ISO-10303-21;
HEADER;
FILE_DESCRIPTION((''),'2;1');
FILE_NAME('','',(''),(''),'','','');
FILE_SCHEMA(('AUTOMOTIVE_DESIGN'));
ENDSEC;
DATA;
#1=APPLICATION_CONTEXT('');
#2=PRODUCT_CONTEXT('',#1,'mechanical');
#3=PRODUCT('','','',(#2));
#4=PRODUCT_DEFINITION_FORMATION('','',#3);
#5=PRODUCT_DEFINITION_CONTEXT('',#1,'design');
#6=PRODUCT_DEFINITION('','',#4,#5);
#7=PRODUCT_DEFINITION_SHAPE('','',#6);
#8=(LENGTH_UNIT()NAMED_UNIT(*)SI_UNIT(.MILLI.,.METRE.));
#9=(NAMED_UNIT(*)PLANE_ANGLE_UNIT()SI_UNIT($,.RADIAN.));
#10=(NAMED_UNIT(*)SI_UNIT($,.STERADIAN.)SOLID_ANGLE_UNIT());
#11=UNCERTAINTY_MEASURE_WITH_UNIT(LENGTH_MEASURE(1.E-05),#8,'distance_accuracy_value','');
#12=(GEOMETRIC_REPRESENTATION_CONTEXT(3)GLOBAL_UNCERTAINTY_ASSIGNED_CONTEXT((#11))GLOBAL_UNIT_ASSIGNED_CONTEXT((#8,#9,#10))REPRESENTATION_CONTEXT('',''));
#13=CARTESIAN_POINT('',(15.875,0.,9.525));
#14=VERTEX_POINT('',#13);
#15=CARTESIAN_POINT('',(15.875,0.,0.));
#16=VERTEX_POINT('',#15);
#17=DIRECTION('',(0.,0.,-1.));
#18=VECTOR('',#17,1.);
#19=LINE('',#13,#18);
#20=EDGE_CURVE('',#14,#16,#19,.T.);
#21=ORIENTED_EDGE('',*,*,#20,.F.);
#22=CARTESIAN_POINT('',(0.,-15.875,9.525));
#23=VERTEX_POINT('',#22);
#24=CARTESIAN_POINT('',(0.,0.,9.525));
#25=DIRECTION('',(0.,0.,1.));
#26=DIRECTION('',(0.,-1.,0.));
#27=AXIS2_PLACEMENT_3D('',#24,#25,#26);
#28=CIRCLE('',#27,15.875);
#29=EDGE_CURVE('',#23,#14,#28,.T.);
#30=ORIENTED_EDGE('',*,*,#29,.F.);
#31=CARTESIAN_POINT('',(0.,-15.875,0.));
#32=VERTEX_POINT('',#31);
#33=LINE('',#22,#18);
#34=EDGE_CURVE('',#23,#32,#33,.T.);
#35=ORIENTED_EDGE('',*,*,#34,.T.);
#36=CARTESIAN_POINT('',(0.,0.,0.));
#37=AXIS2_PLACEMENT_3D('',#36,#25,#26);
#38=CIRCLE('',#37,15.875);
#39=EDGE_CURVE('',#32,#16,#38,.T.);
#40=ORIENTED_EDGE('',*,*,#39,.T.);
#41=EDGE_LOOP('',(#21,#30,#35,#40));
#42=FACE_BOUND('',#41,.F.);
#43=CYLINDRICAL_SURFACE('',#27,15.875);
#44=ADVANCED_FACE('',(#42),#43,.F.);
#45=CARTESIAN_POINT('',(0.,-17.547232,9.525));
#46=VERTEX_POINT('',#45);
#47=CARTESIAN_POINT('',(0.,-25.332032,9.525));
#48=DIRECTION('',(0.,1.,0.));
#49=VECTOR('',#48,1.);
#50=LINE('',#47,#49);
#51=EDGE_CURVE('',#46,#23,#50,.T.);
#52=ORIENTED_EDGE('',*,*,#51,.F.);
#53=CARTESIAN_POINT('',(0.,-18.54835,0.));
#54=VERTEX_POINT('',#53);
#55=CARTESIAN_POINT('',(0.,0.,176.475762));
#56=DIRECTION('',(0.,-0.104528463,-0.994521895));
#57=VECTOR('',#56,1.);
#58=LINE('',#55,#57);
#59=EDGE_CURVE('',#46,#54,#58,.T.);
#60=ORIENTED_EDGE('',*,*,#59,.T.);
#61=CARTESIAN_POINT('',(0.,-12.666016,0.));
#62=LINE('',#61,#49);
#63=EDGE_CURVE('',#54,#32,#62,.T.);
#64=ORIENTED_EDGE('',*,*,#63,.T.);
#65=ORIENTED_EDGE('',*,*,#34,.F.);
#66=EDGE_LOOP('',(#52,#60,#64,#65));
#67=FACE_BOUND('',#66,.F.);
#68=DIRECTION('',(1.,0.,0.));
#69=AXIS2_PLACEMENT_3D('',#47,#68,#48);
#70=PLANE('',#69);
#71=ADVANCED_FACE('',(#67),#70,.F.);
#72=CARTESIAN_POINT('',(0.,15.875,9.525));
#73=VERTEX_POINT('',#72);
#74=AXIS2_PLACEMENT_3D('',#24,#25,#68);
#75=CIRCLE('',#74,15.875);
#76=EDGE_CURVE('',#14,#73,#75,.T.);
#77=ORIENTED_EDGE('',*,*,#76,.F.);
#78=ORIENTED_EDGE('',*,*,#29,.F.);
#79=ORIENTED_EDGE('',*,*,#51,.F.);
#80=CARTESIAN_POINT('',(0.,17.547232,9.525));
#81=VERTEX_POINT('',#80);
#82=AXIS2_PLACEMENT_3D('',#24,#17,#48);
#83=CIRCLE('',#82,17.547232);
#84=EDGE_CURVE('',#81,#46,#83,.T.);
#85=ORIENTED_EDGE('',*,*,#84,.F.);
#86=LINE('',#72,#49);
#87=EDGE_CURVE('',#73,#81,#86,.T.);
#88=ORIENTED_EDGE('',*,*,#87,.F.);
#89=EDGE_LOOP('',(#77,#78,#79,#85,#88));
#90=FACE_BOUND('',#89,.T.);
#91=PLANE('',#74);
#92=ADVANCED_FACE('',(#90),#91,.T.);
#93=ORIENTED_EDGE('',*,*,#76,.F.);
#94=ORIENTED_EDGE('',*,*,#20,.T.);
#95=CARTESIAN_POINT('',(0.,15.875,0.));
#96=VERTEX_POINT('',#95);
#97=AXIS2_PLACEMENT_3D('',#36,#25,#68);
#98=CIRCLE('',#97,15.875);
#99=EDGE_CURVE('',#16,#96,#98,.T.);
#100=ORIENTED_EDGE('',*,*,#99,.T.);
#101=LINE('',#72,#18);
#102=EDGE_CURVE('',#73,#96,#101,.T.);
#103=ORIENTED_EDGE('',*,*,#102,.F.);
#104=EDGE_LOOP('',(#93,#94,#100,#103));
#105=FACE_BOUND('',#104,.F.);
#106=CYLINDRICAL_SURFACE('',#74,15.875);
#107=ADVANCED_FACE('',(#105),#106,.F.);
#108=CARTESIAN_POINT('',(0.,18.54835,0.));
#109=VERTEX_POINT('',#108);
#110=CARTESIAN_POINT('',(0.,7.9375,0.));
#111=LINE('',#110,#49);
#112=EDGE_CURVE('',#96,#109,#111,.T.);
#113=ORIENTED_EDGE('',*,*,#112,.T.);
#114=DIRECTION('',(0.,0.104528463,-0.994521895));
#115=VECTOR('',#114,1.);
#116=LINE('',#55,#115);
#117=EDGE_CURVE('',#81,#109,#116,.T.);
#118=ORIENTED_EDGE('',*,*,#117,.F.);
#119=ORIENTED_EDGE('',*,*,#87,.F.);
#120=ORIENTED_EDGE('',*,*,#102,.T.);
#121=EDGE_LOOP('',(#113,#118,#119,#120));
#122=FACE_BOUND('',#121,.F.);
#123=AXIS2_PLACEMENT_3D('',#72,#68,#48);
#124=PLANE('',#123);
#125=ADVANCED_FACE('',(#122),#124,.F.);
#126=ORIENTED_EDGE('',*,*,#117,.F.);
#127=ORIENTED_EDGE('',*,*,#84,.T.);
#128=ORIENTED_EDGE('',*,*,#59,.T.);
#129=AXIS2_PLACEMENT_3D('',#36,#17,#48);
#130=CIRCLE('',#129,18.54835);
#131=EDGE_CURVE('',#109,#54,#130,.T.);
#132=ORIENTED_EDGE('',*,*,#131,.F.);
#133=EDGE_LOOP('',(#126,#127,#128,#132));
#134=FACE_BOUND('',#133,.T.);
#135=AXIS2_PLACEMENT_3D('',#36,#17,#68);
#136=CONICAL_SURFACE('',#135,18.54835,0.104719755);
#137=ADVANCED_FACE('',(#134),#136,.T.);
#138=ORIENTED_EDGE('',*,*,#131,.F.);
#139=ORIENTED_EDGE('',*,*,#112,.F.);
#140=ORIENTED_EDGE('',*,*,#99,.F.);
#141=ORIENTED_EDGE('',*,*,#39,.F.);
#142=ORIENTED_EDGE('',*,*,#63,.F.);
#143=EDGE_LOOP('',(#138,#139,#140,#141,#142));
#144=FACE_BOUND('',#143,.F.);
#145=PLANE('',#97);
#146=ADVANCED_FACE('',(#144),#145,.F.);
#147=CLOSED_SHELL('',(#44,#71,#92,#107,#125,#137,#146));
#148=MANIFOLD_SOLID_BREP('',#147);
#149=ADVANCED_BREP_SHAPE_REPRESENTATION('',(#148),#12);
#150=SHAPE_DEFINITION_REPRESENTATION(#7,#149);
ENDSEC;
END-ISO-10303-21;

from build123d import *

# Parameters (mm, degrees)
F0_R     = 18.54835
F1_DEPTH = 9.525
F1_TAPER = 6
F3_DEPTH = 25.4


with BuildPart() as f1:
    # F0 (on Top) → F1 (new body)
    with BuildSketch(Plane.XY):
        Circle(F0_R)
    extrude(amount=F1_DEPTH, taper=F1_TAPER)

    # F2 (on face) → F3 (cut)
    with BuildSketch(Plane.XY.offset(9.525)):
        with BuildLine():
            ThreePointArc((15.875, 0), (11.2253201513, 11.2253201513), (0, 15.875))
            Line((0, 15.875), (0, -15.875))
            ThreePointArc((0, -15.875), (11.2253201513, -11.2253201513), (15.875, 0))
        make_face()
        with BuildLine():
            Line((0, -15.875), (0, 15.875))
            ThreePointArc((0, 15.875), (-15.875, 0), (0, -15.875))
        make_face()
        with BuildLine():
            Line((0, 15.875), (0, 17.5472321591))
            ThreePointArc((0, 17.5472321591), (-17.5472321591, 0), (0, -17.5472321591))
            Line((0, -17.5472321591), (0, -15.875))
            ThreePointArc((0, -15.875), (-15.875, 0), (0, 15.875))
        make_face()
        with BuildLine():
            ThreePointArc((0, -17.5472321591), (-17.5472321591, 0), (0, 17.5472321591))
            Line((0, 17.5472321591), (0, 24.4940146804))
            Line((0, 24.4940146804), (-20.4020645469, 24.4940146804))
            Line((-20.4020645469, 24.4940146804), (-20.4020645469, -25.3320317715))
            Line((-20.4020645469, -25.3320317715), (0, -25.3320317715))
            Line((0, -25.3320317715), (0, -17.5472321591))
        make_face()
    extrude(amount=-F3_DEPTH, mode=Mode.SUBTRACT)


solid = f1.part
